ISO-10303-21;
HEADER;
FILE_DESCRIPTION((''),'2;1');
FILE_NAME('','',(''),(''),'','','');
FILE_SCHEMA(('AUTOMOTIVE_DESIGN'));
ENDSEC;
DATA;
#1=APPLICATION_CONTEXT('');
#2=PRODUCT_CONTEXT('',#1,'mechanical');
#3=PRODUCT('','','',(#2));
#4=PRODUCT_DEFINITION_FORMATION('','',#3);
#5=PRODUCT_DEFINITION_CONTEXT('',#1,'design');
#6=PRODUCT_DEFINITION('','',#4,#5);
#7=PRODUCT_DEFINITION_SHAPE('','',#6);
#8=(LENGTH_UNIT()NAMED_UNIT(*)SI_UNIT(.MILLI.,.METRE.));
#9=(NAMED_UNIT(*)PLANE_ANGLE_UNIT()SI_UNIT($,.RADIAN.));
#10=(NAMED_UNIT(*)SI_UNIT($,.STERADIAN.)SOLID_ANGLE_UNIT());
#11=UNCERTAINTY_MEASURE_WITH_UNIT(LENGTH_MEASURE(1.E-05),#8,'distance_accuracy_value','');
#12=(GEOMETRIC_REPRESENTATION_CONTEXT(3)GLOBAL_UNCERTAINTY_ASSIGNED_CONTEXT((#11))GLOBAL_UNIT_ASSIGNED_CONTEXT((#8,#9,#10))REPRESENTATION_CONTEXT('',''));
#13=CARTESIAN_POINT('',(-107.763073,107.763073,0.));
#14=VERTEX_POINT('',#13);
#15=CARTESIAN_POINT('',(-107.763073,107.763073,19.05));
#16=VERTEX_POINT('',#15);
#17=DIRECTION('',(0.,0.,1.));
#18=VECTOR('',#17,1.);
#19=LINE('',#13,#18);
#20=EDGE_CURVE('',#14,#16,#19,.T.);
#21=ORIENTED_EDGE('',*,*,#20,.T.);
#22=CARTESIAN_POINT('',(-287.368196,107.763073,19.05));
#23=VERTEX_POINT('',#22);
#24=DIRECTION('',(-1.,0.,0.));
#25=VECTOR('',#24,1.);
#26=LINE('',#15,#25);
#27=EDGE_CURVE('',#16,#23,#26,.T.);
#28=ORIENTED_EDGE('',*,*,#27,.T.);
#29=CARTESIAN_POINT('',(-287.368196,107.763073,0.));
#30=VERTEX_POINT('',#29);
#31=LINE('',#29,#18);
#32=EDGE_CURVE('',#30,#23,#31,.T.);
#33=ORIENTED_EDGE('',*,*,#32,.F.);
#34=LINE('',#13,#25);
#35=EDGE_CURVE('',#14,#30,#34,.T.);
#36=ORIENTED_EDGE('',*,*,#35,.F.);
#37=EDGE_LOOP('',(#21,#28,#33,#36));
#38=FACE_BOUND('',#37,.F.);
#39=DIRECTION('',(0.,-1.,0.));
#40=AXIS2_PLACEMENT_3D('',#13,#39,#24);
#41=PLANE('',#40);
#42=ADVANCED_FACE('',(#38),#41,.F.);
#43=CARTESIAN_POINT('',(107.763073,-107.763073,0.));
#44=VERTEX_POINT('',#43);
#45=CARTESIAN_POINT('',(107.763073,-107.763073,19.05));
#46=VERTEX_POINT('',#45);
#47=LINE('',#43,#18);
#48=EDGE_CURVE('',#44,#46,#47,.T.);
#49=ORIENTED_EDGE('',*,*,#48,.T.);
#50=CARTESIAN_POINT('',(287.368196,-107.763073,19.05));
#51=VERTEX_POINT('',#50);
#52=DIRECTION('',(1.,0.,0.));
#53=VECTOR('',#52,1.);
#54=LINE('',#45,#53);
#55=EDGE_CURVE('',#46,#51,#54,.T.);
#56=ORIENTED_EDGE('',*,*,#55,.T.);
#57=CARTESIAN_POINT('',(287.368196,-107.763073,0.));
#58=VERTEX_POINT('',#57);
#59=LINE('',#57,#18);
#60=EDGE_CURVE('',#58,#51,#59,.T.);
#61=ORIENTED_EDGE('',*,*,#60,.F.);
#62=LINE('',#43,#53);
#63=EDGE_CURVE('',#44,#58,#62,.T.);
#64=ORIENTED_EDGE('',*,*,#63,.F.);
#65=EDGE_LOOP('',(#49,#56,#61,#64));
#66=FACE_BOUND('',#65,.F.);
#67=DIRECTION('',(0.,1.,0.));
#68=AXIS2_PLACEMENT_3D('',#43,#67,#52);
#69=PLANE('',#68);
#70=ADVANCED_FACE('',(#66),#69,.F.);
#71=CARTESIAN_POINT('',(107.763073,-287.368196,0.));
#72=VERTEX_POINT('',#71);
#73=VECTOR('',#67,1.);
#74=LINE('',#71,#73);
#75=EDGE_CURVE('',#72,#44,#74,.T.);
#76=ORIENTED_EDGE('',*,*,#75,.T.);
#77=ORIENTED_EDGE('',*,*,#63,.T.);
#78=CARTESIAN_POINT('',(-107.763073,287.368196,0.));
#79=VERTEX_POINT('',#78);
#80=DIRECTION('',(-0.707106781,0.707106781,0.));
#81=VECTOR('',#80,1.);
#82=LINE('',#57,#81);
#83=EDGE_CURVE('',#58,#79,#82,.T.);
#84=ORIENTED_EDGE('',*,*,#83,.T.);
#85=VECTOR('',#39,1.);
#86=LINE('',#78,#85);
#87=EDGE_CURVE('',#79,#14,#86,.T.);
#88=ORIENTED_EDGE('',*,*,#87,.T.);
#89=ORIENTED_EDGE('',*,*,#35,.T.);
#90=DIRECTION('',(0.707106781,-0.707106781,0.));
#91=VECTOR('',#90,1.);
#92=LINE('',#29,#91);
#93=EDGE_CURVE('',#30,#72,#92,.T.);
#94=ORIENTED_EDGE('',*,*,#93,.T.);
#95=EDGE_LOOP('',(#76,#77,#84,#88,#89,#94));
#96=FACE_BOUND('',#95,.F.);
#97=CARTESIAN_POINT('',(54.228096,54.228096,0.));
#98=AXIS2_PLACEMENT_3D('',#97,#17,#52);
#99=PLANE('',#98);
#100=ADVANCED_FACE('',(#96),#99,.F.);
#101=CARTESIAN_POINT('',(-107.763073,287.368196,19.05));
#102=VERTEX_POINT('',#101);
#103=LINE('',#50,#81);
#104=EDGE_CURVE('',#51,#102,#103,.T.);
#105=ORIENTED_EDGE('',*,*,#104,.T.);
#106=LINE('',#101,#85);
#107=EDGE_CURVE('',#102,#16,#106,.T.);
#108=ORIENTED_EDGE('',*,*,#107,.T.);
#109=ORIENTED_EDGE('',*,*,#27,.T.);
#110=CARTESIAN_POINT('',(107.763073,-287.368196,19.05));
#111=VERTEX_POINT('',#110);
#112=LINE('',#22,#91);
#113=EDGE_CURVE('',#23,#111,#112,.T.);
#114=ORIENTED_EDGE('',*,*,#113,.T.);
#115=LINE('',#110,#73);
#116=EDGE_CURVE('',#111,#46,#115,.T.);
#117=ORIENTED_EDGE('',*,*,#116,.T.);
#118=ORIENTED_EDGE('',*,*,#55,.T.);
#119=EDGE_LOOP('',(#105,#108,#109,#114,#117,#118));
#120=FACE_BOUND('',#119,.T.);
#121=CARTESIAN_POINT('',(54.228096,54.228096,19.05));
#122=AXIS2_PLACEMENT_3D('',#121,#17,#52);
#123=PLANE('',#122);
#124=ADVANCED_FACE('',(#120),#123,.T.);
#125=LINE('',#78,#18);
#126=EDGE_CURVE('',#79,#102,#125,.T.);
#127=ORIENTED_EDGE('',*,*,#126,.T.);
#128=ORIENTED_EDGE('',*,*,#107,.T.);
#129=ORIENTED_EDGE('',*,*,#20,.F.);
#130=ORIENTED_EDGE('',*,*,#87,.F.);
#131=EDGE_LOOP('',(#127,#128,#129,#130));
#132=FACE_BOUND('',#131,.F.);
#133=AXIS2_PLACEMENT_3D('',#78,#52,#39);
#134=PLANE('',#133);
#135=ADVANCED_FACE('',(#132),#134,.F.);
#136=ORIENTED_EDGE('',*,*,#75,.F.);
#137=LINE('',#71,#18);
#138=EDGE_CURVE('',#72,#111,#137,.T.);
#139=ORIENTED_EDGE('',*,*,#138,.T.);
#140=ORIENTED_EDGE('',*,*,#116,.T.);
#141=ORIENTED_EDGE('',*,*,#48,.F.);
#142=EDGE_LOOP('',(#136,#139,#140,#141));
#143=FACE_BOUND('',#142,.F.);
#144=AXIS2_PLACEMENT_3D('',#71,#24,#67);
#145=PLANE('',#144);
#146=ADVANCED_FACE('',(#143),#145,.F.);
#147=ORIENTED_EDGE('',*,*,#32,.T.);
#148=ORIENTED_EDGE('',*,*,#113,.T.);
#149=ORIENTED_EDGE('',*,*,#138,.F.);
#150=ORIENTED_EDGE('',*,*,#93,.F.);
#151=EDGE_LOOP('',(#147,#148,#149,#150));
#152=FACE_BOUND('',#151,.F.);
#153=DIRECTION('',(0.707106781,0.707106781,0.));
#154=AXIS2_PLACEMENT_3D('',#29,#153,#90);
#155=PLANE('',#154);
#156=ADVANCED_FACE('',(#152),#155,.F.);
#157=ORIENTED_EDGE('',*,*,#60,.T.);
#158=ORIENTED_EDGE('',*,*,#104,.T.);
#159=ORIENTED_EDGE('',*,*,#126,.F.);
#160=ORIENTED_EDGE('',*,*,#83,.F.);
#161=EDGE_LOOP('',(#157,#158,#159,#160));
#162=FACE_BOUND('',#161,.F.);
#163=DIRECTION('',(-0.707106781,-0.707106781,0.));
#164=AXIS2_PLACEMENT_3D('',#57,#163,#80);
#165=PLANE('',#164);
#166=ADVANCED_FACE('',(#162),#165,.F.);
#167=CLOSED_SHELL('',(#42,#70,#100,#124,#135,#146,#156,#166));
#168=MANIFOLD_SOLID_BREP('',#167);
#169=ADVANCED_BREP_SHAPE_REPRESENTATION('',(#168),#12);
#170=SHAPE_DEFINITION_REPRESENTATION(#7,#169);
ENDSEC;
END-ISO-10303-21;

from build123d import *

# Parameters (mm, degrees)
F1_DEPTH = 19.05
F2_DEPTH = 19.05


with BuildPart() as f1:
    # F0 (on Top) → F1 (new body)
    with BuildSketch(Plane.XY):
        Polygon((-107.763073, 107.763073), (-287.368196, 107.763073), (107.763073, -287.368196), (107.763073, -107.763073), align=None)
    extrude(amount=F1_DEPTH)

    # F0 (on Top) → F2 (join)
    with BuildSketch(Plane.XY):
        Polygon((-107.763073, 287.368196), (-107.763073, 107.763073), (107.763073, -107.763073), (287.368196, -107.763073), align=None)
    extrude(amount=F2_DEPTH)


solid = f1.part
